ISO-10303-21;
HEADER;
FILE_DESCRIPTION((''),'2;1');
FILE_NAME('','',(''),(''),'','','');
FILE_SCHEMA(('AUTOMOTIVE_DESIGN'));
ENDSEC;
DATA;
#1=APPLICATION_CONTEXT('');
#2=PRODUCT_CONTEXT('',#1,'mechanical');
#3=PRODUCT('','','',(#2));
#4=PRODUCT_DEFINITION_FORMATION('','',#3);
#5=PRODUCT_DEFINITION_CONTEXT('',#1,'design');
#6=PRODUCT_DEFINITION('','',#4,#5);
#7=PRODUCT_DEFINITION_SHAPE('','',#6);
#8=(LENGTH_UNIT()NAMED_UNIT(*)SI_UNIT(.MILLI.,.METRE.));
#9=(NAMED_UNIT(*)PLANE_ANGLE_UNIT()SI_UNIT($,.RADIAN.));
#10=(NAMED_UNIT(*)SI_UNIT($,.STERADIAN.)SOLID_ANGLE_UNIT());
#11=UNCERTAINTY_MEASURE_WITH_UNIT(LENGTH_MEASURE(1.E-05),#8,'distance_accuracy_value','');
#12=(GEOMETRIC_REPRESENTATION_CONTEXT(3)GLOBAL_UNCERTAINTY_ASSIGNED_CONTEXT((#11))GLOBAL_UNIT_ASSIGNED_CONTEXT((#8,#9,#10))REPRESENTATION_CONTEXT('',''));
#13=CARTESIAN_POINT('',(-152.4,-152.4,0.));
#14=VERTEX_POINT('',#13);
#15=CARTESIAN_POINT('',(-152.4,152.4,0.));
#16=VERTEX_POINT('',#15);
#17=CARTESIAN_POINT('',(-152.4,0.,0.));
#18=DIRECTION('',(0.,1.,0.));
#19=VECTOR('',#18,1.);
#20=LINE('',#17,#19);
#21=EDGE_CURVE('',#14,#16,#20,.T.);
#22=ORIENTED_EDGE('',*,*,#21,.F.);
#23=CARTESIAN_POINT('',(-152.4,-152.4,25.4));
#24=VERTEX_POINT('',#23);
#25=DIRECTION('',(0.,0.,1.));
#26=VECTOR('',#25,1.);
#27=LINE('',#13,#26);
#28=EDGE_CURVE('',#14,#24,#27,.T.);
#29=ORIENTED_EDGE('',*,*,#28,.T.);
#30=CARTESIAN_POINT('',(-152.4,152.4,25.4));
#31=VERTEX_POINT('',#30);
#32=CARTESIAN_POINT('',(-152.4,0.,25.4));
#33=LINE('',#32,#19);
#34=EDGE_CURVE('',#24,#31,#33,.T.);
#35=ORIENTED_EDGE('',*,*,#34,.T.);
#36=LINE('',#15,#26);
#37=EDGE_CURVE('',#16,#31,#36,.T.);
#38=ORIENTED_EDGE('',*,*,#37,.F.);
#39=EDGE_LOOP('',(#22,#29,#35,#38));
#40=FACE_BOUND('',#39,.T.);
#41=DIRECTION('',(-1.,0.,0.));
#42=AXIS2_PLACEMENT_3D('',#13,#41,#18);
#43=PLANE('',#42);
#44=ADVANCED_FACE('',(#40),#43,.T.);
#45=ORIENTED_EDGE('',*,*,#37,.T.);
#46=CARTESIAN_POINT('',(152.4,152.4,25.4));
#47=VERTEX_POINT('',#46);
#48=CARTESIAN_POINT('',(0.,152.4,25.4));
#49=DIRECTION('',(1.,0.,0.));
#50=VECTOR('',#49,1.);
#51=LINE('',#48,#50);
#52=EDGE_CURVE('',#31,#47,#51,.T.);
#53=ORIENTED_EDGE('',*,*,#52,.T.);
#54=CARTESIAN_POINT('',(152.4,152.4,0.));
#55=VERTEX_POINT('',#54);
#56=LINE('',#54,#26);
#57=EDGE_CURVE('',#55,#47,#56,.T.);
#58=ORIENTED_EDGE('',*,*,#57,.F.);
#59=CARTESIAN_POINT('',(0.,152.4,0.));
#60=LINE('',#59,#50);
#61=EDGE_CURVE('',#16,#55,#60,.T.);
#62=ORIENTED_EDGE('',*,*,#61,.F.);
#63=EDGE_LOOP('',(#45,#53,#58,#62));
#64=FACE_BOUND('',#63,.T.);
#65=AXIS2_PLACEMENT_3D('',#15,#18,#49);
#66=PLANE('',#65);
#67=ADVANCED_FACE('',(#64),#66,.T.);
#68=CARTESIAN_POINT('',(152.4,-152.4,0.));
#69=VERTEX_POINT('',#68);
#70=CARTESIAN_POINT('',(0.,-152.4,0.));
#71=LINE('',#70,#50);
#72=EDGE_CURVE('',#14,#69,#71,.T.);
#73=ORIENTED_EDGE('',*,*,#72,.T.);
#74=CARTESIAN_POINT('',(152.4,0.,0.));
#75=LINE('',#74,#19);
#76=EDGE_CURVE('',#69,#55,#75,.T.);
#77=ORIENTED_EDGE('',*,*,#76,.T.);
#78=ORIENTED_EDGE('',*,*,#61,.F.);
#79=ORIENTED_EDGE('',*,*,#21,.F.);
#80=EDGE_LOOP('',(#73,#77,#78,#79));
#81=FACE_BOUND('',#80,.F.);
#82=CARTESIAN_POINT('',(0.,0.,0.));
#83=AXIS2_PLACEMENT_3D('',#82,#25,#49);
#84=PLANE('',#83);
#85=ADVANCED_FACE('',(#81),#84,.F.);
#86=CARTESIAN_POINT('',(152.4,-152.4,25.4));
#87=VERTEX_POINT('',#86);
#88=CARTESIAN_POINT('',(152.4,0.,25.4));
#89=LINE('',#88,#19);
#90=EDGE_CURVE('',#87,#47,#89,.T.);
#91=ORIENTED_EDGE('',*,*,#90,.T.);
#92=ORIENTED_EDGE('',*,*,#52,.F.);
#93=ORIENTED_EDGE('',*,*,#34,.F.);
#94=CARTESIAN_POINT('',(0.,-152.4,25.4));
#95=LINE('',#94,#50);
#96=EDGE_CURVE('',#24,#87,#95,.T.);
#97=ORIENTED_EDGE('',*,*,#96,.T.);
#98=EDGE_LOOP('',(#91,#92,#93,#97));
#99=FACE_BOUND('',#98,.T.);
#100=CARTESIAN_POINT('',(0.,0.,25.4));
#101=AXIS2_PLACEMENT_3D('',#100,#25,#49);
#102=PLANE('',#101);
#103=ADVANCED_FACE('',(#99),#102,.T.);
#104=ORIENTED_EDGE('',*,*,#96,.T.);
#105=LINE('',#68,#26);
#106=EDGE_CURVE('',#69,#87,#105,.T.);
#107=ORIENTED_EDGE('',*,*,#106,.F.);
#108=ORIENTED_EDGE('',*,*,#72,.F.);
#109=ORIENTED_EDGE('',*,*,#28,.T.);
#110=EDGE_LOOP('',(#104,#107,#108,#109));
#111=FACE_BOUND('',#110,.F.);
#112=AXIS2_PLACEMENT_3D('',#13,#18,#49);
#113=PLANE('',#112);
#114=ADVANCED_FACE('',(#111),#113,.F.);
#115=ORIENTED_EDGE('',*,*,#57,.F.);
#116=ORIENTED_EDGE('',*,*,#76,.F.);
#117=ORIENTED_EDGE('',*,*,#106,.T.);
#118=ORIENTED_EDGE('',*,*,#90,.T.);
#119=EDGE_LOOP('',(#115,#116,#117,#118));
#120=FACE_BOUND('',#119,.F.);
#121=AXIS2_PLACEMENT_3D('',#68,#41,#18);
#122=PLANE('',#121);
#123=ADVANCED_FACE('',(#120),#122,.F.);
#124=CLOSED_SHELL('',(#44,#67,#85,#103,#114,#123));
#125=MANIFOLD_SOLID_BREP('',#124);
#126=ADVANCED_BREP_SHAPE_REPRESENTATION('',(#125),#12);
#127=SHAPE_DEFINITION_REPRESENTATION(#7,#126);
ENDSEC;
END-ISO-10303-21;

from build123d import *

# Parameters (mm, degrees)
SKETCH1_W           = 304.8
SKETCH1_H           = 304.8
BOSS_EXTRUDE1_DEPTH = 25.4


with BuildPart() as part:
    # Sketch1 → Boss-Extrude1 (new body)
    with BuildSketch(Plane.XY):
        Rectangle(SKETCH1_W, SKETCH1_H)
    extrude(amount=BOSS_EXTRUDE1_DEPTH)


solid = part.part
